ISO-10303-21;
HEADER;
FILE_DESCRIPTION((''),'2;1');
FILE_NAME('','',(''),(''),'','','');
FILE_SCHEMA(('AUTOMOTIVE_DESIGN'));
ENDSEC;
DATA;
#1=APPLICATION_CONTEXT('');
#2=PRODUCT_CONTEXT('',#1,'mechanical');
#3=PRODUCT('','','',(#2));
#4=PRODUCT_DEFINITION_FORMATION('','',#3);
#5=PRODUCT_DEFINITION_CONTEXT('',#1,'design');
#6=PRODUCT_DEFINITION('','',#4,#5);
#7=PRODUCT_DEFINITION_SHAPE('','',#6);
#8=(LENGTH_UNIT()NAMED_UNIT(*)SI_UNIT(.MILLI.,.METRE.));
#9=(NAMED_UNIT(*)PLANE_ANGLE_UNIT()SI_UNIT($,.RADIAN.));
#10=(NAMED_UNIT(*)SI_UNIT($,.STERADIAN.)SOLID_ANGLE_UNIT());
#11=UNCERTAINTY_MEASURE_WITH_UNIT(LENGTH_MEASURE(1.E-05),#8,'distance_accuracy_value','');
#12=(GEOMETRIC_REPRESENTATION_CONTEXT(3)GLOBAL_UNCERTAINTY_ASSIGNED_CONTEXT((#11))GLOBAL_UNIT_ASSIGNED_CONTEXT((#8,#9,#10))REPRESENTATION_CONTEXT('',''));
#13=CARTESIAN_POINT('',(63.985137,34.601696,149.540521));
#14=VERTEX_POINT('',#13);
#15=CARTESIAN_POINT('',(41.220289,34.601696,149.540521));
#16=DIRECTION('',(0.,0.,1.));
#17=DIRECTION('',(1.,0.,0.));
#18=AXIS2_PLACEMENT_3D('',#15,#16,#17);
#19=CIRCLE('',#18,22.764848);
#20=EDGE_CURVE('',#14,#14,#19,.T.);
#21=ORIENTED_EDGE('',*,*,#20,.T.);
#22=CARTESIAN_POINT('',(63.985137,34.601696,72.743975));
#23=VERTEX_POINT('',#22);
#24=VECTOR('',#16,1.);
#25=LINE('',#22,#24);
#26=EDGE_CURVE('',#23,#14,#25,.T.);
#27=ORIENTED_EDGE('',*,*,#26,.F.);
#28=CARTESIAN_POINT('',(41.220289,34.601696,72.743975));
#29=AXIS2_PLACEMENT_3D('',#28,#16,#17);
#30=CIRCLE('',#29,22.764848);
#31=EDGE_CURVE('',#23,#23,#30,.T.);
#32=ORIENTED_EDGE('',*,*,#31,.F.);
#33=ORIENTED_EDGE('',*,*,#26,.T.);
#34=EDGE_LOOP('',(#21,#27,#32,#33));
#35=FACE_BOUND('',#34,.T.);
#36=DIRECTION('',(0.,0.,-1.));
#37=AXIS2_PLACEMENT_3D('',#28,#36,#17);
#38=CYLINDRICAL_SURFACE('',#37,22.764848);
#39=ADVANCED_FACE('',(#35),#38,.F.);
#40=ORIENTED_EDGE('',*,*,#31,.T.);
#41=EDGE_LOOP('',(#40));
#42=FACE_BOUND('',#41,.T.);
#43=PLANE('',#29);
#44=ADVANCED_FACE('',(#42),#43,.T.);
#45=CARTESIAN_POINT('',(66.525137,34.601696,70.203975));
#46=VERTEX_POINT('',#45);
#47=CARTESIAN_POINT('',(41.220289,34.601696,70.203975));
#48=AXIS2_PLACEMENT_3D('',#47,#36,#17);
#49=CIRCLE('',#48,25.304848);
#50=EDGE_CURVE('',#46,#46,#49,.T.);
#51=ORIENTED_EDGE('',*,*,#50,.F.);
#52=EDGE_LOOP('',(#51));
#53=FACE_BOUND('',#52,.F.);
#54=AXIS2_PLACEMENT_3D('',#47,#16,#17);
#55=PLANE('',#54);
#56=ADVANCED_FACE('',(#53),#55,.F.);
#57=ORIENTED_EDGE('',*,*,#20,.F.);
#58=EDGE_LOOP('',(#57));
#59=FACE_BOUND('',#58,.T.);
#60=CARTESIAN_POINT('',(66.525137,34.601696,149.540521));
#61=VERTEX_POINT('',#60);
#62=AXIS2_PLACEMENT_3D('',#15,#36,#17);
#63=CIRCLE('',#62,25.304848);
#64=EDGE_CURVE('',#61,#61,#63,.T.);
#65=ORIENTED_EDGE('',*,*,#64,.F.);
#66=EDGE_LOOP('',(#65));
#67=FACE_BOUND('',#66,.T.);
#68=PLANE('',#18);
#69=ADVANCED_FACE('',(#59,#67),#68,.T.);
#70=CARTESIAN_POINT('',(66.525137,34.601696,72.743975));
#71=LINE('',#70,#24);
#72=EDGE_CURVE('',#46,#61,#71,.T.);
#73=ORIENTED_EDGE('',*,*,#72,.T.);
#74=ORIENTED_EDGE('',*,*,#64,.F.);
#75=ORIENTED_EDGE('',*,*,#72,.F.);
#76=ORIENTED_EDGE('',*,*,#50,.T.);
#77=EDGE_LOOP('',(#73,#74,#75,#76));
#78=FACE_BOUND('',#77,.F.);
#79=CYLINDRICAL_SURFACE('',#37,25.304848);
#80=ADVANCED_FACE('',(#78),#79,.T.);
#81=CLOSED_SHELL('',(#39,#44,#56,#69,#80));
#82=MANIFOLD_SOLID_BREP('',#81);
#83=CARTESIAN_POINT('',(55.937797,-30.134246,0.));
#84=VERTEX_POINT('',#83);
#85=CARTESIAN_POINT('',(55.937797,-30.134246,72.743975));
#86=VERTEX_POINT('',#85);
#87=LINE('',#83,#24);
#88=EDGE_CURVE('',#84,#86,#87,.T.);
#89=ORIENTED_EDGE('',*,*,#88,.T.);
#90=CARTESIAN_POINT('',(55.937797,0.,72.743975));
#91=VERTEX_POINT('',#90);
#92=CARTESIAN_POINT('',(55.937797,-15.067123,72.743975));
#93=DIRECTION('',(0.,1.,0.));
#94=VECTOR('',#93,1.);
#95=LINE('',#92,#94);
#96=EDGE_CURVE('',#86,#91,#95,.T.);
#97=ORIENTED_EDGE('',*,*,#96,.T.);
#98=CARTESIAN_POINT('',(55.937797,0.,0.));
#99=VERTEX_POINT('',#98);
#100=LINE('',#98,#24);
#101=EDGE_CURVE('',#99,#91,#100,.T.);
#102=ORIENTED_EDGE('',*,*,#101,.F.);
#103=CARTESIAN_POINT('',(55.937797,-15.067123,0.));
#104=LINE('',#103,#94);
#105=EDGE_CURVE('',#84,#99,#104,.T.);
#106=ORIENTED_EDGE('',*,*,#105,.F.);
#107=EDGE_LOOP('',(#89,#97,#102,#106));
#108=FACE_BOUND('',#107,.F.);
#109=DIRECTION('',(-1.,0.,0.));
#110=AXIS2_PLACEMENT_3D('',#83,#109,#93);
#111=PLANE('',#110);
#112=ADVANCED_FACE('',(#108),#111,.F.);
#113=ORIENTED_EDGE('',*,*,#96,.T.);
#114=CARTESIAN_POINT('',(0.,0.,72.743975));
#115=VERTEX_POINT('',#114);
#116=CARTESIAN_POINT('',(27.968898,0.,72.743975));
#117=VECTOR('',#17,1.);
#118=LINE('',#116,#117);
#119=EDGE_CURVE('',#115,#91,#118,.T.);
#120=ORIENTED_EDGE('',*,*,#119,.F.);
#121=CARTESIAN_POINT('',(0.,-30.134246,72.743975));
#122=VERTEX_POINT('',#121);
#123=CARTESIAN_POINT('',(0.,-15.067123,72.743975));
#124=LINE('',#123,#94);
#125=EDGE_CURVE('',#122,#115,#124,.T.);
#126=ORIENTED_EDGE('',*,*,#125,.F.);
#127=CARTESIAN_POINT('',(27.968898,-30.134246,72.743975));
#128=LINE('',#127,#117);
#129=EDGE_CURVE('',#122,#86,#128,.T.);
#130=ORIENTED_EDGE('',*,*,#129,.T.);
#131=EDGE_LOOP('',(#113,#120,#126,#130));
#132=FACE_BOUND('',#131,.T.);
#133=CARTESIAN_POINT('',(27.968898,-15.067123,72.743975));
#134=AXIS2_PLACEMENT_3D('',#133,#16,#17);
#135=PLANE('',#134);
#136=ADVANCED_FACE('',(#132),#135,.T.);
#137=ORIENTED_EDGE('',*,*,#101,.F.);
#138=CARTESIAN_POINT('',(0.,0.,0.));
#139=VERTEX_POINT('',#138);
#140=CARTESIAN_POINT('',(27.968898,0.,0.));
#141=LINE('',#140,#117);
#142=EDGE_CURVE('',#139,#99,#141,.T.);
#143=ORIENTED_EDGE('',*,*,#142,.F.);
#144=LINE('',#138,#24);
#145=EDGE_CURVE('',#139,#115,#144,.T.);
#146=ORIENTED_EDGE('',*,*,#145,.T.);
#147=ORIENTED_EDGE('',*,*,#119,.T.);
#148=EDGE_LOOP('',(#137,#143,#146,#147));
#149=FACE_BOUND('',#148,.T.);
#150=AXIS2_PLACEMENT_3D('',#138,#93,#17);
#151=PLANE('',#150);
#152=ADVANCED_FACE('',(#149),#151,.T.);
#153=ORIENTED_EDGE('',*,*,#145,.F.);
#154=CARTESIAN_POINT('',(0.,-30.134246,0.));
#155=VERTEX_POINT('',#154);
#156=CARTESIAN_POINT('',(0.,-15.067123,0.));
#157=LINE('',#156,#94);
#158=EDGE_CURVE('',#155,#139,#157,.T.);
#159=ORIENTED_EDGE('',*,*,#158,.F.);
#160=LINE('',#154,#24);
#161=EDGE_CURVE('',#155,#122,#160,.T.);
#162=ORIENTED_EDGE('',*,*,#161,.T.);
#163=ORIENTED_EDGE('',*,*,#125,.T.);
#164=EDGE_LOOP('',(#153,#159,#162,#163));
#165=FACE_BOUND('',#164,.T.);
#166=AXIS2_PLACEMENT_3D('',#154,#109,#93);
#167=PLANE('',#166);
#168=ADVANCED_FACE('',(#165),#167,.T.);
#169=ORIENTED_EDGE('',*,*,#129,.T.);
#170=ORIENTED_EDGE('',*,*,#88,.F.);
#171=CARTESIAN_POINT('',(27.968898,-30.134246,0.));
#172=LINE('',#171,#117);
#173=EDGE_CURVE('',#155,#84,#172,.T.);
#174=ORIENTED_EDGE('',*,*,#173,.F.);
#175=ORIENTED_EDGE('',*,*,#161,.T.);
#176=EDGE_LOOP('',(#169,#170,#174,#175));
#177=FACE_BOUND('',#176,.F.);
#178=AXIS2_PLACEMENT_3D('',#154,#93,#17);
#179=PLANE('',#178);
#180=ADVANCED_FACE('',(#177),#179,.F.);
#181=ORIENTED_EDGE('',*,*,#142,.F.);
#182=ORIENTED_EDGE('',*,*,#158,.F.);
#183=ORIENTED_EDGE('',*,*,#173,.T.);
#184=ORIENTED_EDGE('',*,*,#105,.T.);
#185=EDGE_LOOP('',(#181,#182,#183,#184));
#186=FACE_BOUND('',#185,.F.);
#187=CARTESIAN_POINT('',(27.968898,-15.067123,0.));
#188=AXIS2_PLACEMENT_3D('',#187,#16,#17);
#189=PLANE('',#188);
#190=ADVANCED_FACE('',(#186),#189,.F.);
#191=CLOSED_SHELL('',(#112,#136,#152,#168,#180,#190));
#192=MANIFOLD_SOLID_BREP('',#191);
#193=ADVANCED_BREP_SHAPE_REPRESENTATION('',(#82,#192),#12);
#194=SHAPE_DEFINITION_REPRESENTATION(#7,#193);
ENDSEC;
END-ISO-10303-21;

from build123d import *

# Parameters (mm, degrees)
F0_W     = 55.9377968311
F0_H     = 30.1342457533
F1_DEPTH = 72.7439746261
F2_R     = 22.7648481722
F3_DEPTH = 76.7965465784
F4_T     = 2.54


with BuildPart() as f1:
    # F0 (on Top) → F1 (new body)
    with BuildSketch(Plane.XY):
        with Locations((27.9688984156, -15.0671228766)):
            Rectangle(F0_W, F0_H)
    extrude(amount=F1_DEPTH)


with BuildPart() as f3:
    # F2 (on face) → F3 (new body)
    with BuildSketch(Plane.XY.offset(72.7439746261)):
        with Locations((41.2202887237, 34.6016958356)):
            Circle(F2_R)
    extrude(amount=F3_DEPTH)

    # F4
    f4_openings = [f3.faces().sort_by_distance(p)[0] for p in [
        (41.220289, 34.601696, 149.540521),
    ]]
    offset(amount=F4_T, openings=f4_openings, kind=Kind.INTERSECTION)


solid = Compound([f1.part, f3.part])
